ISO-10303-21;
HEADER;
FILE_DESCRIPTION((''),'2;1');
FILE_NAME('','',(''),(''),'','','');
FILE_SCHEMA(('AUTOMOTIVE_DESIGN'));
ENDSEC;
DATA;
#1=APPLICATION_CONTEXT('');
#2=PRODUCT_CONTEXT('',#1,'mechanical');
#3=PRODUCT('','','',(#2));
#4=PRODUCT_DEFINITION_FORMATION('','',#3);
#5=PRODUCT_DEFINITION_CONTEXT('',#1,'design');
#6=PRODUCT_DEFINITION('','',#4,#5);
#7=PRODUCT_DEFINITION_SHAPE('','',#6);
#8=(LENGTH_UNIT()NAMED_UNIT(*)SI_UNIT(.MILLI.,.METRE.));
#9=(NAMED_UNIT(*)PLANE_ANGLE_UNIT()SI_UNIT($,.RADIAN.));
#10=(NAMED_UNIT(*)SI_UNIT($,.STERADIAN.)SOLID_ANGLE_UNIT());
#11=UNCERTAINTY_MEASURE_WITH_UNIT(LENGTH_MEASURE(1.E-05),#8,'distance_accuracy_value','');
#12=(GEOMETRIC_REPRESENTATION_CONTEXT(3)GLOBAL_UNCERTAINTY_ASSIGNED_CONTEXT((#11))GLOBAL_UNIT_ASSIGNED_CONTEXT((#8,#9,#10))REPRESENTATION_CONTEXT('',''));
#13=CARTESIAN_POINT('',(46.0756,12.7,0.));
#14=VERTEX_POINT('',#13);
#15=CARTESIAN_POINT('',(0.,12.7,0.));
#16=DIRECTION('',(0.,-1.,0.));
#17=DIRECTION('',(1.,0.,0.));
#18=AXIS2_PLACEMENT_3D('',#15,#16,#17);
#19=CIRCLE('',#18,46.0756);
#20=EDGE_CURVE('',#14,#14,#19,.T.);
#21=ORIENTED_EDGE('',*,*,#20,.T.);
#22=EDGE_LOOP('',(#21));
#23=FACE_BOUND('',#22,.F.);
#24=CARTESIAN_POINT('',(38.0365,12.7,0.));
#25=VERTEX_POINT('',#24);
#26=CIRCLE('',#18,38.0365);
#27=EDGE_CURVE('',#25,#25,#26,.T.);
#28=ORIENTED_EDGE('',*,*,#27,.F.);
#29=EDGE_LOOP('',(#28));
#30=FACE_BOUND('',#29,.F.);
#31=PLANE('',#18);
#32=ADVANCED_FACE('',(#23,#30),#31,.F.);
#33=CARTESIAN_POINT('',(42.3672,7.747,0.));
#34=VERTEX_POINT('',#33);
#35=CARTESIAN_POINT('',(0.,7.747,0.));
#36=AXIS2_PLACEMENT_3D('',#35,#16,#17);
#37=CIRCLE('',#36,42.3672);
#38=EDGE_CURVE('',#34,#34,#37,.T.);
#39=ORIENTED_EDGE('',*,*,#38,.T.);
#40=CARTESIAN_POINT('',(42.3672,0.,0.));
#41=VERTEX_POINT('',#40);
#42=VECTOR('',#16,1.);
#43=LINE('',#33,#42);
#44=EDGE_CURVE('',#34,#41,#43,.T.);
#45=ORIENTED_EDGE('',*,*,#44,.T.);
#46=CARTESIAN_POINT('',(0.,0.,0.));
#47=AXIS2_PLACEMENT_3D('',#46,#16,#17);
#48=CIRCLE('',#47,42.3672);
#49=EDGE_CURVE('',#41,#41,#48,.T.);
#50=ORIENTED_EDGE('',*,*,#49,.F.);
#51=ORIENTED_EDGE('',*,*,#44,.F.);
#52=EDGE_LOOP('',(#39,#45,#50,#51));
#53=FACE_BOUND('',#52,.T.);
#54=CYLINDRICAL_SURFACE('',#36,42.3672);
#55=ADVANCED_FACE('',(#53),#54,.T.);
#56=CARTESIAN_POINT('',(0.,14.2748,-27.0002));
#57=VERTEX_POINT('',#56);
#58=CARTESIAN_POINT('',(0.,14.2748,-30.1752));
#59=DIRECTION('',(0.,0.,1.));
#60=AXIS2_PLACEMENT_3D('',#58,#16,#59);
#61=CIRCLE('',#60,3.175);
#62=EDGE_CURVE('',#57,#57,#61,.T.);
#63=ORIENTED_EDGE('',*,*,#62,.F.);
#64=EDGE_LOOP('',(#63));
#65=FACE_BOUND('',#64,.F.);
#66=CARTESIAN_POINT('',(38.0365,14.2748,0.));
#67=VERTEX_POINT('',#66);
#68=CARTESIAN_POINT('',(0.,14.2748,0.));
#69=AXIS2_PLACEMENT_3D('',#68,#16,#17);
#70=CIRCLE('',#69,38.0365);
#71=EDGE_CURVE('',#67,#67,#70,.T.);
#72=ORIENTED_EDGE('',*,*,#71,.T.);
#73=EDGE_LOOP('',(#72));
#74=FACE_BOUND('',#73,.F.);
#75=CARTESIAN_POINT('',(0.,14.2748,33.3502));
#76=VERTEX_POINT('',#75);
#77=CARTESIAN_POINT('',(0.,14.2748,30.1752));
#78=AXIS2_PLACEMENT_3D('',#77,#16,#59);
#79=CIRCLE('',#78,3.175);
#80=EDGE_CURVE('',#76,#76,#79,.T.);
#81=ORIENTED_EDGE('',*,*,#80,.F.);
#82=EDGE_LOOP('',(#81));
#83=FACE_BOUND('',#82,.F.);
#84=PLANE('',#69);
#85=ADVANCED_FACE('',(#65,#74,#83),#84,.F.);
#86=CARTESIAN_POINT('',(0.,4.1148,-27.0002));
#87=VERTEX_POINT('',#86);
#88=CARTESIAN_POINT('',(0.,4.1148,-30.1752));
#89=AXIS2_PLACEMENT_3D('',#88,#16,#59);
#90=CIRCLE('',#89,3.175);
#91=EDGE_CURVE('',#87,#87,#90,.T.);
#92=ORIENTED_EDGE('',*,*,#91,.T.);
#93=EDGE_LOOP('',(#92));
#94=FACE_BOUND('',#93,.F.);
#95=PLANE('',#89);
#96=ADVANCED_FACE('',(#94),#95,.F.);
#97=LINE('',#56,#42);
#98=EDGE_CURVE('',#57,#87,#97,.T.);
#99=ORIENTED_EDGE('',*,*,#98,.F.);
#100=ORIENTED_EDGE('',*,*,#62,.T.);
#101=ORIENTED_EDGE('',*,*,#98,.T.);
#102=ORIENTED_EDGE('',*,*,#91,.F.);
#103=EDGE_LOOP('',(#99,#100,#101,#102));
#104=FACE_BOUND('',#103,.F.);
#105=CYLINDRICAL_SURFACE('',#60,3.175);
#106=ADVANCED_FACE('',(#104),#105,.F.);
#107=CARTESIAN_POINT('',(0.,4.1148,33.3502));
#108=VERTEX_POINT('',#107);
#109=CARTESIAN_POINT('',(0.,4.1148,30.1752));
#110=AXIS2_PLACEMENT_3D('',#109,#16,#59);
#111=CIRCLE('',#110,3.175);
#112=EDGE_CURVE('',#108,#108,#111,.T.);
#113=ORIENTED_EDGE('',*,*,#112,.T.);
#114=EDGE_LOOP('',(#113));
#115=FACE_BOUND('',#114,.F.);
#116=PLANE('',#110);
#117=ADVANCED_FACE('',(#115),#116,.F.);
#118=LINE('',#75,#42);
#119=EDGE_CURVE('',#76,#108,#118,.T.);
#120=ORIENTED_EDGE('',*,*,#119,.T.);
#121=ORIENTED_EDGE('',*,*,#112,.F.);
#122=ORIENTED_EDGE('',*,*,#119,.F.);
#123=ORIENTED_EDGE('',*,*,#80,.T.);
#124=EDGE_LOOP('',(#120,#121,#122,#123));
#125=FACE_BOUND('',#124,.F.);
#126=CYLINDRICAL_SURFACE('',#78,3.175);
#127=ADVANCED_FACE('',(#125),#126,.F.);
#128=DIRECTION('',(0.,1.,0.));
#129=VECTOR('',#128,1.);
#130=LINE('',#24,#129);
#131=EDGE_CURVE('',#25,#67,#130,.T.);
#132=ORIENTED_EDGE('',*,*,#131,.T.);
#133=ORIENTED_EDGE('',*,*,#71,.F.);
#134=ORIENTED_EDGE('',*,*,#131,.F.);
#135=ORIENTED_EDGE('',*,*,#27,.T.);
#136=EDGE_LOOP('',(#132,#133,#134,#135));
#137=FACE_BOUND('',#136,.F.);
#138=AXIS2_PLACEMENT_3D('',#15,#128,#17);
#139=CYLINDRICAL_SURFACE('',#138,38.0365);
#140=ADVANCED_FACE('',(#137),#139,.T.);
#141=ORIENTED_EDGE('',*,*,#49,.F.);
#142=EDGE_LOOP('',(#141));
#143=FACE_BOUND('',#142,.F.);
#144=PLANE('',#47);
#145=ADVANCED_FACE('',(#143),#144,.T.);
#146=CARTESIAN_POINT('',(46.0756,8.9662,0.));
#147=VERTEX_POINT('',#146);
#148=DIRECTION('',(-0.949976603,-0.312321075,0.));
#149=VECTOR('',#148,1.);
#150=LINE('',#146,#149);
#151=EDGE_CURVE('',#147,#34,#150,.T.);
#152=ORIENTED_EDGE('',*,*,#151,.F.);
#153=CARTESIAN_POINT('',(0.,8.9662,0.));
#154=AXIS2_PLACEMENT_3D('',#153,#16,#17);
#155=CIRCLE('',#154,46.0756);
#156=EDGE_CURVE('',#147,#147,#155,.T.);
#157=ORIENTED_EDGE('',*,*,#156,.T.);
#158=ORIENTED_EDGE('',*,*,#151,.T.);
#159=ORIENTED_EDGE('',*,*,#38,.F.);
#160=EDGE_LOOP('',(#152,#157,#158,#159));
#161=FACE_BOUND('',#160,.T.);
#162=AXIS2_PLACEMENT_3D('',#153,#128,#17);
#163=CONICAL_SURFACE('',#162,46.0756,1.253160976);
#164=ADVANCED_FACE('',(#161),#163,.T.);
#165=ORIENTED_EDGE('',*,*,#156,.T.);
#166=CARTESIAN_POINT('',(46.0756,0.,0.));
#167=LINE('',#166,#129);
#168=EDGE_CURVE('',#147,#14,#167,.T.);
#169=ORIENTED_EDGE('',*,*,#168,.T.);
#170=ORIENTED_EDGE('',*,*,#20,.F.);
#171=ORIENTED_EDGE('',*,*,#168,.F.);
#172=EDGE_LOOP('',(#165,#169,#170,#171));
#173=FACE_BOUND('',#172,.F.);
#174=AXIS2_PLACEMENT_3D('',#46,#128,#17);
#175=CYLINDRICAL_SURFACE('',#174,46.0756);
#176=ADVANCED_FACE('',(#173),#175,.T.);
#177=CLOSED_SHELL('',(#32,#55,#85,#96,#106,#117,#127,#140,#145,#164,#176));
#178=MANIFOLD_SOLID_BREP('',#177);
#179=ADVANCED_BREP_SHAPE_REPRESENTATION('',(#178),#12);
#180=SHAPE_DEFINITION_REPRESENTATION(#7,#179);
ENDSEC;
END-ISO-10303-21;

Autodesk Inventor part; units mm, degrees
ref_plane "YZ Plane" through (0, 0, 0) normal (1, 0, 0) x (0, 1, 0)
ref_plane "XZ Plane" through (0, 0, 0) normal (0, 1, 0) x (-1, 0, 0)
ref_plane "XY Plane" through (0, 0, 0) normal (0, 0, 1) x (1, 0, 0)
sketch "Sketch1" plane through (0, 0, 0) normal (0, 0, 1) x (1, 0, 0)
  line L0 (17.5514, 0) -> (46.0756, 0)
  line L1 (46.0756, 0) -> (46.0756, 12.7)
  line L2 (46.0756, 12.7) -> (0, 12.7)
  line L3 (0, 12.7) -> (0, 0)
  line L4 (17.5514, 12.7) -> (17.5514, 0)
  line L5 (46.0756, 8.9662) -> (42.3672, 8.9662)
  line L6 (42.3672, 7.747) -> (42.3672, 0)
  line L7 (46.0756, 7.747) -> (42.3672, 7.747)
  line L8 (46.0756, 8.9662) -> (42.3672, 7.747)
  line L9 (0, 11.1252) -> (0, 12.7)
  line L10 (17.5514, 0) -> (23.85, 0)
  line L11 (0, -2.5) -> (0, 0)
  line L12 (0, 12.7) -> (38.0365, 12.7)
  line L13 (38.0365, 12.7) -> (38.0365, 14.2748)
  line L14 (38.0365, 14.2748) -> (0, 14.2748)
  line L15 (0, 14.2748) -> (0, 12.7)
  line L16 (17.5514, 12.7) -> (17.5514, 14.2748)
  line L17 (0, 0) -> (17.5514, 0)
  dimension "d1" = 12.7
  dimension "d3" = 3.7338
  dimension "d5" = 4.953
  dimension "d8" = 17.5514
  dimension "d9" = 42.3672
  dimension "d10" = 46.0756
  dimension "d11" = 1.5748
  dimension "d12" = 38.0365
revolve "Revolution1" add sketch "Sketch1" angle 360 about axis through (0, 12.7, 0) along (0, -1, 0) contours L4 L2 L1 L8 L6 L0 | L17 L3 L2 L4 | L16 L14 L13 L2 | L2 L15 L14 L16
sketch "Sketch2" plane through (0, 14.2748, 0) normal (0, 1, 0) x (1, 0, 0)
  circle A0 centre (0, 0) radius 30.1752
  point P0 (0, 30.1752)
  point P1 (0, -30.1752)
  dimension "d14" = 60.3504
hole "Hole1" at (0, 14.2748, -30.1752) at (0, 14.2748, 30.1752) direction (0, -1, 0) diameter 6.35 depth 10.16
properties part number "2016.06.09 Blank Adapter"
